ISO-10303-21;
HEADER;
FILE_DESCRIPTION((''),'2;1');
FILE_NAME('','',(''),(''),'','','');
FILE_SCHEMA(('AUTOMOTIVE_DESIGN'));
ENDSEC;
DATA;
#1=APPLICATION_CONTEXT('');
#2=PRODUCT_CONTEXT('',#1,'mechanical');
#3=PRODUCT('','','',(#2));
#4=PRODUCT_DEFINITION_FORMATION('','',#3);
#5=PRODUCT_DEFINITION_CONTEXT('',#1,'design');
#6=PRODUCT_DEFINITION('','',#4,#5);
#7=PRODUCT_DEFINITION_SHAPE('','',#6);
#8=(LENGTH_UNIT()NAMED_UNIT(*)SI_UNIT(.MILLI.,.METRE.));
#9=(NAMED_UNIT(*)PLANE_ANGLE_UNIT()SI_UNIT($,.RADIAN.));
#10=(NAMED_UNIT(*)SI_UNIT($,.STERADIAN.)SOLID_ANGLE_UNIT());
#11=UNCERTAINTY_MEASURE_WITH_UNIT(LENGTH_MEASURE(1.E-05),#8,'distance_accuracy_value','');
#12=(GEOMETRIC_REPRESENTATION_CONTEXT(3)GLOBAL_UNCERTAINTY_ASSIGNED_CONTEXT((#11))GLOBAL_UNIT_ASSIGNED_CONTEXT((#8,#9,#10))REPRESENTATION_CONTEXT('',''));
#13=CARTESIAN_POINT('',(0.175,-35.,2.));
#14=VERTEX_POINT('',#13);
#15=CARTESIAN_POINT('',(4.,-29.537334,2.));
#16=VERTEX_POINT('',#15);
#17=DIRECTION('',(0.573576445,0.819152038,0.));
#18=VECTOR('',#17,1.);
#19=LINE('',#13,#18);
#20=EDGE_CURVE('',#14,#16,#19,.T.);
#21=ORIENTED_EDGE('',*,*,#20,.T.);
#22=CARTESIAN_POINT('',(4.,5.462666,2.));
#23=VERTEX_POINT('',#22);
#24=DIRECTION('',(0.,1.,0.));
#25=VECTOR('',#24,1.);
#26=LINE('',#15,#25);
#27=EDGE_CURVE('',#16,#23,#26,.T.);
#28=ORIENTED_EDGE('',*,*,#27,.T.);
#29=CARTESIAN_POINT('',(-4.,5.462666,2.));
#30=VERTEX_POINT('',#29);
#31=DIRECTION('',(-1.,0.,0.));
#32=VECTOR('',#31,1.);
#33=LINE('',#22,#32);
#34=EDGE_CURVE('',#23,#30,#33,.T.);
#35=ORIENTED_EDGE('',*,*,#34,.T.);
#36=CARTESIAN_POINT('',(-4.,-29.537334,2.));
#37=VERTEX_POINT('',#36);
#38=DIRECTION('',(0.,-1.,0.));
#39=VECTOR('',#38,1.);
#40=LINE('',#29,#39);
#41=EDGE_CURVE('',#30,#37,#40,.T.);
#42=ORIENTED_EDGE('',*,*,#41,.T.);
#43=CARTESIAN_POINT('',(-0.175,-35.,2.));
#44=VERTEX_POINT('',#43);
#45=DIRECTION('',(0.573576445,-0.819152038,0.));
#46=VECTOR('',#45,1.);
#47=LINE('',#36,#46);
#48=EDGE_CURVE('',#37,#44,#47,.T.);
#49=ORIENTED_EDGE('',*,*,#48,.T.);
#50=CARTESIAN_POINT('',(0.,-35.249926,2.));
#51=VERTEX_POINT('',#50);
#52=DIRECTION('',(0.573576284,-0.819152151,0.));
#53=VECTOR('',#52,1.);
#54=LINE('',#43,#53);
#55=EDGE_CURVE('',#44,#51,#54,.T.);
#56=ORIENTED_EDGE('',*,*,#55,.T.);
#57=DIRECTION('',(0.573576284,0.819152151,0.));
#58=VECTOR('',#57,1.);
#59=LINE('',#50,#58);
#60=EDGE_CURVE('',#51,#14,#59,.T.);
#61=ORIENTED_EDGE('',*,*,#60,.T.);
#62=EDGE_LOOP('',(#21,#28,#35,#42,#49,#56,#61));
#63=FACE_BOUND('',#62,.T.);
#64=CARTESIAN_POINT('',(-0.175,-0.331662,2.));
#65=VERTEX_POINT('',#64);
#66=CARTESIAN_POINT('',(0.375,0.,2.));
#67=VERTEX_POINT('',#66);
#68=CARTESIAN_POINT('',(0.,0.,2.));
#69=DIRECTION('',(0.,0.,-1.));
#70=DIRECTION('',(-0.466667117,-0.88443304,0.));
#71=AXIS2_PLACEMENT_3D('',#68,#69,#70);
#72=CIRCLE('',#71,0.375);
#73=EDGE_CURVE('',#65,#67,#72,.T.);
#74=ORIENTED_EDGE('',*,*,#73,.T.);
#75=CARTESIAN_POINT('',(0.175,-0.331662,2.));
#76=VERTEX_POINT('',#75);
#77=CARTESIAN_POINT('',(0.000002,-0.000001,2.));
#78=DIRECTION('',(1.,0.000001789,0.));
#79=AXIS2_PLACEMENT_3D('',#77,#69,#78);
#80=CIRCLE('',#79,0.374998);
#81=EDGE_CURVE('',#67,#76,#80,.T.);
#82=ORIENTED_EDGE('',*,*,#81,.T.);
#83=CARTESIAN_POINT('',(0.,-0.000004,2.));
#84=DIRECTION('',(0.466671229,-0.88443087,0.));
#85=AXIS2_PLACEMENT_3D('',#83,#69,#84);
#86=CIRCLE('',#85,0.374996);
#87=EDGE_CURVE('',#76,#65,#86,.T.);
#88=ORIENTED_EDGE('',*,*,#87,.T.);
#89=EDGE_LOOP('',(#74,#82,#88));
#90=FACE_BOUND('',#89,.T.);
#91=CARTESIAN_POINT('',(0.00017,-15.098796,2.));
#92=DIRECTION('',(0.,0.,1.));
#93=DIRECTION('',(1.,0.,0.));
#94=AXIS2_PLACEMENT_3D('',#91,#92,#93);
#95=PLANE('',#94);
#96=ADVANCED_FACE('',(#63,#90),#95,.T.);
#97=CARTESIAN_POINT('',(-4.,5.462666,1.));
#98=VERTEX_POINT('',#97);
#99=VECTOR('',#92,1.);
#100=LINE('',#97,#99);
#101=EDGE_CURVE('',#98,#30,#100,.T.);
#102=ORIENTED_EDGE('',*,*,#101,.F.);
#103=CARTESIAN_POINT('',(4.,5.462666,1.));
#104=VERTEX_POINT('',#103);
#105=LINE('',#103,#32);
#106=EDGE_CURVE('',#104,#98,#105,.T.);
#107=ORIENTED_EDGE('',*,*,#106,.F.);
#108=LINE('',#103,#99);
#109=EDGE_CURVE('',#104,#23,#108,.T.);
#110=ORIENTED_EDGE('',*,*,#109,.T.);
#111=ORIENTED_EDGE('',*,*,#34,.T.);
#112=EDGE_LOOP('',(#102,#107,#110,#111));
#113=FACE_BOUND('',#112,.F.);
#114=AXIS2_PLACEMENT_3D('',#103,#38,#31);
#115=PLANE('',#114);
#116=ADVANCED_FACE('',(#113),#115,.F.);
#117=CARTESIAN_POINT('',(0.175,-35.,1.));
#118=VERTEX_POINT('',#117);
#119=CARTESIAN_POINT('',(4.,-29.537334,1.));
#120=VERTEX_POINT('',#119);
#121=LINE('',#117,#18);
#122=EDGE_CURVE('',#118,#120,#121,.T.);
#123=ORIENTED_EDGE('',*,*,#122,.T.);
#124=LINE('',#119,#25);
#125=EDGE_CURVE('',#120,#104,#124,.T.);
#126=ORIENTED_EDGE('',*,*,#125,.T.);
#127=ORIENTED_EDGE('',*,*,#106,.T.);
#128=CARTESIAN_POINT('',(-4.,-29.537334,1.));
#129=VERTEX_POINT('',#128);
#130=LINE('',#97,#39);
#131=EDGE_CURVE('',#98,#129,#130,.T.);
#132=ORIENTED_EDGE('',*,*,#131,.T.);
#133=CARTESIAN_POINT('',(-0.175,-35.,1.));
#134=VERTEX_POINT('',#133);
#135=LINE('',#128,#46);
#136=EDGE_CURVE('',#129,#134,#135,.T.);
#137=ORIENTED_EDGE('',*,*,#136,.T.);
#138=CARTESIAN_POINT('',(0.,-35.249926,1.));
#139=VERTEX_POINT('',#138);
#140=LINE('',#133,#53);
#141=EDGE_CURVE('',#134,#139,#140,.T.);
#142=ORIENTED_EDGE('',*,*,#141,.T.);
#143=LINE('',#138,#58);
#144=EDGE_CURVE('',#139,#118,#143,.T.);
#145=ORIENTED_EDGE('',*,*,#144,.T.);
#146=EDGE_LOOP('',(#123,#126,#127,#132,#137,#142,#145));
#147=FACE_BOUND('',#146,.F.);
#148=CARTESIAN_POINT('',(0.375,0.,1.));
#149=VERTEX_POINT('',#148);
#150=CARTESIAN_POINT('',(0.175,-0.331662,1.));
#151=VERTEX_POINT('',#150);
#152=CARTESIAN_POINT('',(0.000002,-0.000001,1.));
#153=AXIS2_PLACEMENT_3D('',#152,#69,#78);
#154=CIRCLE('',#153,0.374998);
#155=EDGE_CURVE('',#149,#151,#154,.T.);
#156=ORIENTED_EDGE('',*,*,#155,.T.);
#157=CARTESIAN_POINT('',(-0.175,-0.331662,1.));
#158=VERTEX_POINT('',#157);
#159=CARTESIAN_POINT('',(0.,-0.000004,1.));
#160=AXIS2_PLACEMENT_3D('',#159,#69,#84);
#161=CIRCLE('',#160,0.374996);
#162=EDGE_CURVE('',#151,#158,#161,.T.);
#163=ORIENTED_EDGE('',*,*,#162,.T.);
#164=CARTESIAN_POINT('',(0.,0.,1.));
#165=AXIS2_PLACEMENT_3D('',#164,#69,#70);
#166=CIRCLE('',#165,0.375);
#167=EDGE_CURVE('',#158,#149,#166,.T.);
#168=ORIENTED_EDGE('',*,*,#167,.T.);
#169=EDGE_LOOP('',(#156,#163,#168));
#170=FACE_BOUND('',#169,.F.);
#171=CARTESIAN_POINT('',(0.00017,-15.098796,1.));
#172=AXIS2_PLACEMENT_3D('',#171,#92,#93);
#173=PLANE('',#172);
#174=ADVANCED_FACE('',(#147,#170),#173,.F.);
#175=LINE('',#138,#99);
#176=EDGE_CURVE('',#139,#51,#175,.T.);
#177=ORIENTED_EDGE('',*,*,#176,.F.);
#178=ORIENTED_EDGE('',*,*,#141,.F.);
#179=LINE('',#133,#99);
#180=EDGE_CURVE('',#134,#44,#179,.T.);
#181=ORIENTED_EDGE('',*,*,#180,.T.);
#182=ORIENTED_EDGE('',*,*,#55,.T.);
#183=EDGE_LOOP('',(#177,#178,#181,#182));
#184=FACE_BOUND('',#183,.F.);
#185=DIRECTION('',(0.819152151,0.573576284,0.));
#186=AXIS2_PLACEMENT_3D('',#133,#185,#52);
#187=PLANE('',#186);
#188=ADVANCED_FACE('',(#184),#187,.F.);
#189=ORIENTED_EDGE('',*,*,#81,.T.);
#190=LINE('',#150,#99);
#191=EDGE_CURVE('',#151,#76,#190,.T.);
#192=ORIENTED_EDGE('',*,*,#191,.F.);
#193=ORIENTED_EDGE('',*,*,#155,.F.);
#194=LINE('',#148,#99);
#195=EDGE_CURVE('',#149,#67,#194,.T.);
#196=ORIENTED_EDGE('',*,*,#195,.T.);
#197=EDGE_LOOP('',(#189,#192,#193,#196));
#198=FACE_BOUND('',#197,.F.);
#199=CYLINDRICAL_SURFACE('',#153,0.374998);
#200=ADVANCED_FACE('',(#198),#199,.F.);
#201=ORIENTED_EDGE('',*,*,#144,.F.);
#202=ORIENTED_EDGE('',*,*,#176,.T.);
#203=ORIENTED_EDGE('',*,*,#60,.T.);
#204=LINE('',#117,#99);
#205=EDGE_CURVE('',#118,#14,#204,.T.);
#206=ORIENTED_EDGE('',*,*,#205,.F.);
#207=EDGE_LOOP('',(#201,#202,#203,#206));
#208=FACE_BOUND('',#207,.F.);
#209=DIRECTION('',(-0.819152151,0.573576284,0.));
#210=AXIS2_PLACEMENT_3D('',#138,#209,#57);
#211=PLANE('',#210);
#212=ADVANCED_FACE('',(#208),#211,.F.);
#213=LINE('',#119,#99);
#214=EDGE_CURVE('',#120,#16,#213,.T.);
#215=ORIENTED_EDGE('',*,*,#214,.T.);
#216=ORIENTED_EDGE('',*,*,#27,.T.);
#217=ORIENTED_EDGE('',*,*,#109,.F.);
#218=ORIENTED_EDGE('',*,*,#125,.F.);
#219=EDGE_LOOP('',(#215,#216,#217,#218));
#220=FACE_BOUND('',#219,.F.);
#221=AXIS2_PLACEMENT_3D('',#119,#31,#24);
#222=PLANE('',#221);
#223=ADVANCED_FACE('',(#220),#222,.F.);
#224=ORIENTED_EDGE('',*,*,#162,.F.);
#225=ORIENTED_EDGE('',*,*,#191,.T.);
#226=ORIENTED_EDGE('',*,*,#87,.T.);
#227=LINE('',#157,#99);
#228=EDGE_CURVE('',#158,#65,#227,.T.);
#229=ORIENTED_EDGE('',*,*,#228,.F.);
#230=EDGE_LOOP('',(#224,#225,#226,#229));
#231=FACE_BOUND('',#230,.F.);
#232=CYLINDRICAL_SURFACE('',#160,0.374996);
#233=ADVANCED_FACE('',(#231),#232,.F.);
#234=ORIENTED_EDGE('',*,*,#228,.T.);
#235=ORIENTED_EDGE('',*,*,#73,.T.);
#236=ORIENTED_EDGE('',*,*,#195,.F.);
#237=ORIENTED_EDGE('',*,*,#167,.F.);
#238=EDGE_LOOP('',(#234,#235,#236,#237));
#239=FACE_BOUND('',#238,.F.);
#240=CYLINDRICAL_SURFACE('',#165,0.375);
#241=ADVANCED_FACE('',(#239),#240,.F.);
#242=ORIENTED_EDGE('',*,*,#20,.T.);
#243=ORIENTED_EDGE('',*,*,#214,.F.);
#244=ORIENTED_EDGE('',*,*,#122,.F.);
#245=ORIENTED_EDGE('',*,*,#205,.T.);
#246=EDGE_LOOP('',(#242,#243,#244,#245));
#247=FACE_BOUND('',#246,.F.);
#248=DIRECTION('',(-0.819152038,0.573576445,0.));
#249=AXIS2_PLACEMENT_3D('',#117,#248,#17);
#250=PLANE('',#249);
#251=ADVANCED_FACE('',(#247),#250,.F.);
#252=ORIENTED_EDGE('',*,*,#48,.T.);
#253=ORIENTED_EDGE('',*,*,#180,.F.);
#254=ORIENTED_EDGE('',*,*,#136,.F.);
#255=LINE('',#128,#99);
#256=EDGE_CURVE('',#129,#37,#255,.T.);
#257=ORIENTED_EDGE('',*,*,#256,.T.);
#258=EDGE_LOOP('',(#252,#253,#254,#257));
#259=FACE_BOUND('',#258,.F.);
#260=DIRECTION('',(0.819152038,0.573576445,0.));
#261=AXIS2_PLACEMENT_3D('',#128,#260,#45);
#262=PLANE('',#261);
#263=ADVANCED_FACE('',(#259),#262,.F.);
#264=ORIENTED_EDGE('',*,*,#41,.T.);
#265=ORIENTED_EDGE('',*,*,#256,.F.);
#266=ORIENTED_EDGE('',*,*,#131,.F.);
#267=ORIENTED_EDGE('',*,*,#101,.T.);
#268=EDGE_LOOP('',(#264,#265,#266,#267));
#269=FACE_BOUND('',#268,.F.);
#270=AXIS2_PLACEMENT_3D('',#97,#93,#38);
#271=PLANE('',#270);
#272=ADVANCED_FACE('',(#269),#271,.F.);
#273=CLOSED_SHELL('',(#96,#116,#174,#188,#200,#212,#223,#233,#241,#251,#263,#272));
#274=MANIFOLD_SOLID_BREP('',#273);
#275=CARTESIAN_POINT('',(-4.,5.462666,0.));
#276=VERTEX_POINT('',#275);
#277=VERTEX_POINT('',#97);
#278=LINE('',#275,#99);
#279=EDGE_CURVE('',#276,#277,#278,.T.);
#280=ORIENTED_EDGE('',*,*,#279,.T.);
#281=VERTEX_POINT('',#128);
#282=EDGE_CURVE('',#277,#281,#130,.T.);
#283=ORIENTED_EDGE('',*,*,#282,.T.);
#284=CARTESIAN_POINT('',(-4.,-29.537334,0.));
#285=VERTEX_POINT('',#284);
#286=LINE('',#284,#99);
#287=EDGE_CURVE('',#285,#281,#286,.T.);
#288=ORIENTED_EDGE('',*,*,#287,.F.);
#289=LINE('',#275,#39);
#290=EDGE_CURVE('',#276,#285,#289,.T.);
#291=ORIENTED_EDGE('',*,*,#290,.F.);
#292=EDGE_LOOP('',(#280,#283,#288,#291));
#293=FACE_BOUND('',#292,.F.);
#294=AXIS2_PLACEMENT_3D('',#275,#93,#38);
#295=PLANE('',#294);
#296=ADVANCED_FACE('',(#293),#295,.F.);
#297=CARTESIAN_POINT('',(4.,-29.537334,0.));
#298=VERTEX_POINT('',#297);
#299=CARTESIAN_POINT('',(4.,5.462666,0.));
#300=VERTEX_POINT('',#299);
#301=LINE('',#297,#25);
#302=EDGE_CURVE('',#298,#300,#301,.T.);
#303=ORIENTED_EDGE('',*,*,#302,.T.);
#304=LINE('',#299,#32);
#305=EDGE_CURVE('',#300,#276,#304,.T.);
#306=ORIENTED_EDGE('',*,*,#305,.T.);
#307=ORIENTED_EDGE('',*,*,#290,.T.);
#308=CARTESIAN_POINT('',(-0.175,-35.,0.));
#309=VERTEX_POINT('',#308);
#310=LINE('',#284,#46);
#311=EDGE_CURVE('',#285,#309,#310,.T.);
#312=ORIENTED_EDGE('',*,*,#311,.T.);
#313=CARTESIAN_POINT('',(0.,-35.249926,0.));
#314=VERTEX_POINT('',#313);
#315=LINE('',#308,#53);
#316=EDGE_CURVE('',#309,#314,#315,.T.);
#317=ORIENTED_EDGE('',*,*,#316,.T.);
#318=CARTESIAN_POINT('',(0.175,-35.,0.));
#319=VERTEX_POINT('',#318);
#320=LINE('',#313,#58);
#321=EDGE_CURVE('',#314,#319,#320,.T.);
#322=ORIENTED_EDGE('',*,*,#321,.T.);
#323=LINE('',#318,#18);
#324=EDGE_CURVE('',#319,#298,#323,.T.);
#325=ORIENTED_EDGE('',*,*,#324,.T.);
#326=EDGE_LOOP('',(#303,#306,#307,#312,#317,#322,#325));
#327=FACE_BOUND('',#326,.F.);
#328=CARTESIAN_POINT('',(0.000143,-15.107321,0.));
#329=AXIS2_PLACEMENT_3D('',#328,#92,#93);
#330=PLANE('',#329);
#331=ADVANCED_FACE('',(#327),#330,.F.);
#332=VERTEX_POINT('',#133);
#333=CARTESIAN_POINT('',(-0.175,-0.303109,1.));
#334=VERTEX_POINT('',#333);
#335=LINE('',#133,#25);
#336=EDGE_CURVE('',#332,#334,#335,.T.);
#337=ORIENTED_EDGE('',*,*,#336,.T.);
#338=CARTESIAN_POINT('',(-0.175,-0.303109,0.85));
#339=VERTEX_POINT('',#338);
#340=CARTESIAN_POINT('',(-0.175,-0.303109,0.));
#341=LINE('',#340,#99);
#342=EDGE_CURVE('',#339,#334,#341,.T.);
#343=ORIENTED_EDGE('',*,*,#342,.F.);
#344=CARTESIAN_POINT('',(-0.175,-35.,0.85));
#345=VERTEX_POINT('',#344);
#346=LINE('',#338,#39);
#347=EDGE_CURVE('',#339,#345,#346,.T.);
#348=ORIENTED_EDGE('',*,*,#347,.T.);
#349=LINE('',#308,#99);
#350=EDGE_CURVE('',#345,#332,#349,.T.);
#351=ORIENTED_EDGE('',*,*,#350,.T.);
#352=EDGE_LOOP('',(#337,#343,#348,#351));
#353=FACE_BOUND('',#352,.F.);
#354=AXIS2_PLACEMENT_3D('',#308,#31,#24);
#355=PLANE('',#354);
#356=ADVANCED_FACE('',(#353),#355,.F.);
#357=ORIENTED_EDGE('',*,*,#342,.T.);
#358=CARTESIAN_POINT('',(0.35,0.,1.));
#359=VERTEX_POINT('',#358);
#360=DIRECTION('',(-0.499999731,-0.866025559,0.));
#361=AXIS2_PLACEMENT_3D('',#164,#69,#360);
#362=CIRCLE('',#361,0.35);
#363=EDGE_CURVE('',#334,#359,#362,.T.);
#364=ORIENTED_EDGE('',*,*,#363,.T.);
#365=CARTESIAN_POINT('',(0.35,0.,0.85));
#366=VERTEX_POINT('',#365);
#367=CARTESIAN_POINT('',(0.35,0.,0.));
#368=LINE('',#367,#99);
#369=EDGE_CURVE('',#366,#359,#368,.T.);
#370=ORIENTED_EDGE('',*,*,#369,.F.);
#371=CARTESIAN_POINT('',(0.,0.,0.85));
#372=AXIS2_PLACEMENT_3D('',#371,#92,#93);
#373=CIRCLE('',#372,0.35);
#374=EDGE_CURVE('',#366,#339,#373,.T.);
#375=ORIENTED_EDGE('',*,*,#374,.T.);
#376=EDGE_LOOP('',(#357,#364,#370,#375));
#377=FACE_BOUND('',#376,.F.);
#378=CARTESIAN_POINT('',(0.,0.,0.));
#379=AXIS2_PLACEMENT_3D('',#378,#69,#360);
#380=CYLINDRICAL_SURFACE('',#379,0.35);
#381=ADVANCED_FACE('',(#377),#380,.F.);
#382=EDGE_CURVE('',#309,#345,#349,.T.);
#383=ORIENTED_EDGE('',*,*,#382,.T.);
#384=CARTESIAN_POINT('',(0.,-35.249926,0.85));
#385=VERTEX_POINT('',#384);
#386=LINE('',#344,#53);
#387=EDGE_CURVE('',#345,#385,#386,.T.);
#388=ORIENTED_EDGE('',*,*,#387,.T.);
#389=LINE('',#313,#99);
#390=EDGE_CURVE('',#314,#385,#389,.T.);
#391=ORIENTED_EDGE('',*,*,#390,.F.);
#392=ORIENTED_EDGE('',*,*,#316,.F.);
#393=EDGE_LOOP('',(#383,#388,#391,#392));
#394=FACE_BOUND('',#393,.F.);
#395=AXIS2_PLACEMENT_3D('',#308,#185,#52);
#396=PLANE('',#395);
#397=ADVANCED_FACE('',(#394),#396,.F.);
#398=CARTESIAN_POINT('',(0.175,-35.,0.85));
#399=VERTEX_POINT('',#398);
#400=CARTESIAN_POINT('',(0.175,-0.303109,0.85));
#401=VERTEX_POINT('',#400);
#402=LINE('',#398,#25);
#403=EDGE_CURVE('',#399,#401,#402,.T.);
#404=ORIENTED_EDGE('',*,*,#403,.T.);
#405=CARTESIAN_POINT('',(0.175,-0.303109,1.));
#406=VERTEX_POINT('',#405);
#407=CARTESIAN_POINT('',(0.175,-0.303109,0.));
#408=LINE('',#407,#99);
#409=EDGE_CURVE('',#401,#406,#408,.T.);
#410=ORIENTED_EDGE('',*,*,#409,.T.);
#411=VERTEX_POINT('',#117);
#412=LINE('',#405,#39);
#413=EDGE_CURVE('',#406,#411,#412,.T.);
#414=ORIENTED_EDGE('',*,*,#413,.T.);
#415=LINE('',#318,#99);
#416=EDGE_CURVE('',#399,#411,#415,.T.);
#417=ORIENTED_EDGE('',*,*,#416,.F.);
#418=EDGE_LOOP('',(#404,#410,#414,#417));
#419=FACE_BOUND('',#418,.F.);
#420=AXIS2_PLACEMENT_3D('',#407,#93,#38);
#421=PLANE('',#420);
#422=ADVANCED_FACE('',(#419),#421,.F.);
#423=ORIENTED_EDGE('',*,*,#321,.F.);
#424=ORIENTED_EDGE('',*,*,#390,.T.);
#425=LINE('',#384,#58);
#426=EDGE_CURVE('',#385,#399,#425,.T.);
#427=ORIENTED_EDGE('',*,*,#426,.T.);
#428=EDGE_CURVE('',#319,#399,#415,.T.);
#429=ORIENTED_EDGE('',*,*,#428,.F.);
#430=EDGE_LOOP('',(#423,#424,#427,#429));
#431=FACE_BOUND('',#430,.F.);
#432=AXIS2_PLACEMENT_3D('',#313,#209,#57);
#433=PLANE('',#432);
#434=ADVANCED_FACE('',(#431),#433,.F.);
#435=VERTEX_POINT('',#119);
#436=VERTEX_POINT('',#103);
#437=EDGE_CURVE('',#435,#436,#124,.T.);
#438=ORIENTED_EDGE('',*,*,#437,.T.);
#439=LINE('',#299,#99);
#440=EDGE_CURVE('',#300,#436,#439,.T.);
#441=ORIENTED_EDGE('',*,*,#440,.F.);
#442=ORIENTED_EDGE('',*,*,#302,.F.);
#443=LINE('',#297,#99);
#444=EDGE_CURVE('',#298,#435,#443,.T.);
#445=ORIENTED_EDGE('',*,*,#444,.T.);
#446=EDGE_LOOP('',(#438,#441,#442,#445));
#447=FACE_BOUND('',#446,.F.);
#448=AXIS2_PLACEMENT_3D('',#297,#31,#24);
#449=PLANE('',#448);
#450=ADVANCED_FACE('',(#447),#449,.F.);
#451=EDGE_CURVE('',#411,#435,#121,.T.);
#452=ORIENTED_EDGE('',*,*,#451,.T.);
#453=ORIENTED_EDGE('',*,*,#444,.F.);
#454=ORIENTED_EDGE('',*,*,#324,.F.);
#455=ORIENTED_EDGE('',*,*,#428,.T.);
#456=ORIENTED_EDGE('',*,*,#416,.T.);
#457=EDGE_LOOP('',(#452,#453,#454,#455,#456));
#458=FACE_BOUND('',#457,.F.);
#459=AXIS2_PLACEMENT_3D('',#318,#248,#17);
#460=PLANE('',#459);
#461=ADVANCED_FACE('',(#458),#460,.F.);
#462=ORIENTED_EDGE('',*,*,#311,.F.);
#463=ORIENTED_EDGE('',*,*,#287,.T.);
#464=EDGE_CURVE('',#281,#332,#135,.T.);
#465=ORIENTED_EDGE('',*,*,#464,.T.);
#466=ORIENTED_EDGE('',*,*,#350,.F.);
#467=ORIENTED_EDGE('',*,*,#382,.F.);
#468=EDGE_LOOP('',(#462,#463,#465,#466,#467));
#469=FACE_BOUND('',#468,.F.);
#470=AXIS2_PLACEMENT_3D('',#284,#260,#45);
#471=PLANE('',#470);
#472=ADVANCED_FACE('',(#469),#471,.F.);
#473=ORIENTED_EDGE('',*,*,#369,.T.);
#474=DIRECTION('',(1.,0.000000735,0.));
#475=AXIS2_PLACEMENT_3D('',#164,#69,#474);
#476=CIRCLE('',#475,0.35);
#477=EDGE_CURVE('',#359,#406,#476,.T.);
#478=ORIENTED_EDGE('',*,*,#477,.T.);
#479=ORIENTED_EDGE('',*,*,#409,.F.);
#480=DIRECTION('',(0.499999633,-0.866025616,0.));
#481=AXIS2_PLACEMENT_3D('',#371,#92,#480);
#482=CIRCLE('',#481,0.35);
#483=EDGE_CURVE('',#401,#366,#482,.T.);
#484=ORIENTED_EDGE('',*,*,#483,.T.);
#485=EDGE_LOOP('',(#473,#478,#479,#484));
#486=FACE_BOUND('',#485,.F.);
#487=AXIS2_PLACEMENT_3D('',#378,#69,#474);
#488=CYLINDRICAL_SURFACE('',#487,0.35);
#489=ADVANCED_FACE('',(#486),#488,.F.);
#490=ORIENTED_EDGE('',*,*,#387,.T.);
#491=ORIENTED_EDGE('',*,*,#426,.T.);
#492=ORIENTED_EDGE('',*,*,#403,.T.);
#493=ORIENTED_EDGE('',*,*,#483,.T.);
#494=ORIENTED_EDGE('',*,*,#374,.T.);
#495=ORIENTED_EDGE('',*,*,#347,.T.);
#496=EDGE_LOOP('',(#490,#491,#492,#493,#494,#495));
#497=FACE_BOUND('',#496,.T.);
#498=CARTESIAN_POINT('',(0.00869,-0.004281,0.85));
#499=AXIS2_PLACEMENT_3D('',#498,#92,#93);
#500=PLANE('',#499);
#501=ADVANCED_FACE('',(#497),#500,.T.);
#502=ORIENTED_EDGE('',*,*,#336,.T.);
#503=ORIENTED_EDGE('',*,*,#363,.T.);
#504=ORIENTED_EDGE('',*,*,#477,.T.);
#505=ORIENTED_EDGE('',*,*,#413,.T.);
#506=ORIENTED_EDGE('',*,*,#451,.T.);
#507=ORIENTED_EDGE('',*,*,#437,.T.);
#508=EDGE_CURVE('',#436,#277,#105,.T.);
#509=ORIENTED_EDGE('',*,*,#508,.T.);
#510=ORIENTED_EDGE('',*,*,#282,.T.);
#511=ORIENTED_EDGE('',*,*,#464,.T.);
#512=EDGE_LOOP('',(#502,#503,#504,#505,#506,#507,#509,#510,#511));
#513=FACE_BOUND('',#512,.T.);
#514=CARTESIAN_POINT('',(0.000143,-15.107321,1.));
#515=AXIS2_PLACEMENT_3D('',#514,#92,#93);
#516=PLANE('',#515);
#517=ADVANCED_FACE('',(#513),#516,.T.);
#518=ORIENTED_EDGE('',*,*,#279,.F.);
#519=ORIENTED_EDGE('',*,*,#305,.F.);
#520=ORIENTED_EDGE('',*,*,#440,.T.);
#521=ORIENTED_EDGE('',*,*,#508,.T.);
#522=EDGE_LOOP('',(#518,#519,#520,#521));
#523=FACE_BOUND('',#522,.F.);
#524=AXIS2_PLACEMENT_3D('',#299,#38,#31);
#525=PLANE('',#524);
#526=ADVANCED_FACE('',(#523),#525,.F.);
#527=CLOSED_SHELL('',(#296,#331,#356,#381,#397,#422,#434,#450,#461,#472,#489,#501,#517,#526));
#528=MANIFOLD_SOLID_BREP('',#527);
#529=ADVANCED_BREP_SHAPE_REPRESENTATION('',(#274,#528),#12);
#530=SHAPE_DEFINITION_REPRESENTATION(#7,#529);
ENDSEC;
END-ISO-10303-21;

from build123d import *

# Parameters (mm, degrees)
F1_DEPTH = 0.85
F2_DEPTH = 1
F4_DEPTH = 1


with BuildPart() as f1:
    # F0 (on Top) → F1 (new body)
    with BuildSketch(Plane.XY):
        with BuildLine():
            ThreePointArc((0.35, 0), (-0.175, 0.303109), (-0.175, -0.303109))
            Line((-0.175, -0.303109), (-0.175, 0))
            Line((-0.175, 0), (0.175, 0))
            Line((0.175, 0), (0.175, -0.303109))
            ThreePointArc((0.175, -0.303109), (0.303109, -0.175), (0.35, 0))
        make_face()
        with BuildLine():
            Line((-0.175, -0.303109), (-0.175, -35))
            Line((-0.175, -35), (0, -35.249926))
            Line((0, -35.249926), (0.175, -35))
            Line((0.175, -35), (0.175, -0.303109))
            ThreePointArc((0.175, -0.303109), (0, -0.35), (-0.175, -0.303109))
        make_face()
        with BuildLine():
            Line((-0.175, 0), (-0.175, -0.303109))
            ThreePointArc((-0.175, -0.303109), (0, -0.35), (0.175, -0.303109))
            Line((0.175, -0.303109), (0.175, 0))
            Line((0.175, 0), (-0.175, 0))
        make_face()
    extrude(amount=F1_DEPTH)

    # F0 (on Top) → F2 (join)
    with BuildSketch(Plane.XY):
        with BuildLine():
            Line((4, 5.462666), (-4, 5.462666))
            Line((-4, 5.462666), (-4, -29.537334))
            Line((-4, -29.537334), (-0.175, -35))
            Line((-0.175, -35), (-0.175, -0.303109))
            ThreePointArc((-0.175, -0.303109), (-0.175, 0.303109), (0.35, 0))
            ThreePointArc((0.35, 0), (0.303109, -0.175), (0.175, -0.303109))
            Line((0.175, -0.303109), (0.175, -35))
            Line((0.175, -35), (4, -29.537334))
            Line((4, -29.537334), (4, 5.462666))
        make_face()
    extrude(amount=F2_DEPTH)


with BuildPart() as f4:
    # F3 (on face) → F4 (new body)
    with BuildSketch(Plane.XY.offset(1)):
        with BuildLine():
            ThreePointArc((-0.175, -0.331662), (-0.193649, 0.321131), (0.375, 0))
            ThreePointArc((0.375, 0), (0.321131, -0.193649), (0.175, -0.331662))
            Line((0.175, -0.331662), (0.175, -35))
            Line((0.175, -35), (4, -29.537334))
            Line((4, -29.537334), (4, 5.462666))
            Line((4, 5.462666), (-4, 5.462666))
            Line((-4, 5.462666), (-4, -29.537334))
            Line((-4, -29.537334), (-0.175, -35))
            Line((-0.175, -35), (-0.175, -0.331662))
        make_face()
        with BuildLine():
            ThreePointArc((0.175, -0.331662), (0, -0.375), (-0.175, -0.331662))
            Line((-0.175, -0.331662), (-0.175, -35))
            Line((-0.175, -35), (0, -35.249926))
            Line((0, -35.249926), (0.175, -35))
            Line((0.175, -35), (0.175, -0.331662))
        make_face()
    extrude(amount=F4_DEPTH)


solid = Compound([f1.part, f4.part])
